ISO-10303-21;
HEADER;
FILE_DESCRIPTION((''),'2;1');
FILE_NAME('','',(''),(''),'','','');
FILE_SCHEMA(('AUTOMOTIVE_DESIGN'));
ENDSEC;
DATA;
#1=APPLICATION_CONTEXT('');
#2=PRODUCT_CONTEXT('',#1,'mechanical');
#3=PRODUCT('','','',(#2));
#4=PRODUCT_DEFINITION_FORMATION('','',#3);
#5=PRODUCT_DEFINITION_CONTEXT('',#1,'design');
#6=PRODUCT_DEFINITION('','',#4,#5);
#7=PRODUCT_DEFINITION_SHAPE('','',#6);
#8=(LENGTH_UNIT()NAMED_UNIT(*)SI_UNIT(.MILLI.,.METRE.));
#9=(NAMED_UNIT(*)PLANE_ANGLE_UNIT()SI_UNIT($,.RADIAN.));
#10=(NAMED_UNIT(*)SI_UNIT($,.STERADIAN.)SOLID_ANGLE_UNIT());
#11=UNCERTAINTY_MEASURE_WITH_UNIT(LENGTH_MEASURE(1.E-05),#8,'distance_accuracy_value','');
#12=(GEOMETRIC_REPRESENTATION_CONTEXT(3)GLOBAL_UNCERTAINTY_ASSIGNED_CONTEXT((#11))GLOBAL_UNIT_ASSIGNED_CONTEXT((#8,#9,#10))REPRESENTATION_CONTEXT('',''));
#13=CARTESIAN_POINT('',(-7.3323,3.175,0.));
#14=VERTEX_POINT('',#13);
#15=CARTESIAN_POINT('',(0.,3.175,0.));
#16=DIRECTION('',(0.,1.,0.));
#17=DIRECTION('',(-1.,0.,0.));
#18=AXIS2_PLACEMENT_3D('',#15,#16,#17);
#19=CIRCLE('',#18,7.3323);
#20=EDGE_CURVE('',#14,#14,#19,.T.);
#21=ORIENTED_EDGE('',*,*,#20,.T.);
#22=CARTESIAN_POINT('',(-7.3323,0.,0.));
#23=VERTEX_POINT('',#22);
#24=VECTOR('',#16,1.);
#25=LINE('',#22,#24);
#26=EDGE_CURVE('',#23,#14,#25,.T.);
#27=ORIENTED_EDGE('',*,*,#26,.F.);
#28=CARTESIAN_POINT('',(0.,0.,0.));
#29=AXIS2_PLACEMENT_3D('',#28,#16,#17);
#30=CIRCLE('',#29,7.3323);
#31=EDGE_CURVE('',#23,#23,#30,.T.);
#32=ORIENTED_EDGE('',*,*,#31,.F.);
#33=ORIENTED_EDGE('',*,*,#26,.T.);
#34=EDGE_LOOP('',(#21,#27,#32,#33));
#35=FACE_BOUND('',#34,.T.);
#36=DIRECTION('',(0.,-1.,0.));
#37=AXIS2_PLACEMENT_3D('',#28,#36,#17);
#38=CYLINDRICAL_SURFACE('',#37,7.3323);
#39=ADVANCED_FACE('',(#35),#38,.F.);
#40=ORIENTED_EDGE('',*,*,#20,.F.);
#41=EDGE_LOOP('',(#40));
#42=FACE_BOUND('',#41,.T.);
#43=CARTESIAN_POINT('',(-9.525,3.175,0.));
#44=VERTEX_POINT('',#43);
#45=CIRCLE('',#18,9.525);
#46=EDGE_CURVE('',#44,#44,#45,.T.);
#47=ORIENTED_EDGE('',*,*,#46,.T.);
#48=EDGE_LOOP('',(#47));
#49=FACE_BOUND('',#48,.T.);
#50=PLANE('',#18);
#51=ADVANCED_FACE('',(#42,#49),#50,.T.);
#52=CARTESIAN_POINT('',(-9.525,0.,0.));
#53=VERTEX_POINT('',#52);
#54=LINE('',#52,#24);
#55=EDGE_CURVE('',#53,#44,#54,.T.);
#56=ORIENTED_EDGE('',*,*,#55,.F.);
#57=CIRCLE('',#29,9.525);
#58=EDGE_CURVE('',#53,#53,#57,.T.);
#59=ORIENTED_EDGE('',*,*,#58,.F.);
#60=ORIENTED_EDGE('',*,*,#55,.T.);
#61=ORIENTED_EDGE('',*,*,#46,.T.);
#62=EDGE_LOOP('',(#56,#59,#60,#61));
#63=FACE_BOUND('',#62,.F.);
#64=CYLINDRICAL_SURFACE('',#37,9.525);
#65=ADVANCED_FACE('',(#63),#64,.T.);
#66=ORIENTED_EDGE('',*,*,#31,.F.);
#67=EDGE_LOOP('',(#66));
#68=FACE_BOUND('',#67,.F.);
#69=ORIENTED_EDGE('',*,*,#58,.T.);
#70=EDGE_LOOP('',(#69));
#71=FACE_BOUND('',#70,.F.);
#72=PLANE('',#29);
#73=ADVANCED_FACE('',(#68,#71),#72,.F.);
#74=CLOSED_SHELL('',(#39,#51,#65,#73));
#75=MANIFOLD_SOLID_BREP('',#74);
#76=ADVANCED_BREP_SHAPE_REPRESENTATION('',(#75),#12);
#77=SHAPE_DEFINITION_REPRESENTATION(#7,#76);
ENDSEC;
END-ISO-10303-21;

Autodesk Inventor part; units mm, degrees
ref_plane "YZ Plane" through (0, 0, 0) normal (1, 0, 0) x (0, 1, 0)
ref_plane "XZ Plane" through (0, 0, 0) normal (0, 1, 0) x (-1, 0, 0)
ref_plane "XY Plane" through (0, 0, 0) normal (0, 0, 1) x (1, 0, 0)
sketch "Sketch1" plane through (0, 0, 0) normal (0, 1, 0) x (-1, 0, 0)
  line L0 (-3.6662, 6.35) -> (3.6662, 6.35) construction
  line L1 (3.6662, 6.35) -> (7.3323, 0) construction
  line L2 (7.3323, 0) -> (3.6662, -6.35) construction
  line L3 (3.6662, -6.35) -> (-3.6662, -6.35) construction
  line L4 (-3.6662, -6.35) -> (-7.3323, 0) construction
  line L5 (-7.3323, 0) -> (-3.6662, 6.35) construction
  circle A0 centre (0, 0) radius 7.3323
  circle A1 centre (0, 0) radius 9.525
  dimension "d0" = 12.7
  dimension "d1" = 19.05
extrude "Extrusion1" add sketch "Sketch1" along normal blind 3.175
properties part number "CORL_019_EighthSpacer" material "Acetal Resin, Black"
